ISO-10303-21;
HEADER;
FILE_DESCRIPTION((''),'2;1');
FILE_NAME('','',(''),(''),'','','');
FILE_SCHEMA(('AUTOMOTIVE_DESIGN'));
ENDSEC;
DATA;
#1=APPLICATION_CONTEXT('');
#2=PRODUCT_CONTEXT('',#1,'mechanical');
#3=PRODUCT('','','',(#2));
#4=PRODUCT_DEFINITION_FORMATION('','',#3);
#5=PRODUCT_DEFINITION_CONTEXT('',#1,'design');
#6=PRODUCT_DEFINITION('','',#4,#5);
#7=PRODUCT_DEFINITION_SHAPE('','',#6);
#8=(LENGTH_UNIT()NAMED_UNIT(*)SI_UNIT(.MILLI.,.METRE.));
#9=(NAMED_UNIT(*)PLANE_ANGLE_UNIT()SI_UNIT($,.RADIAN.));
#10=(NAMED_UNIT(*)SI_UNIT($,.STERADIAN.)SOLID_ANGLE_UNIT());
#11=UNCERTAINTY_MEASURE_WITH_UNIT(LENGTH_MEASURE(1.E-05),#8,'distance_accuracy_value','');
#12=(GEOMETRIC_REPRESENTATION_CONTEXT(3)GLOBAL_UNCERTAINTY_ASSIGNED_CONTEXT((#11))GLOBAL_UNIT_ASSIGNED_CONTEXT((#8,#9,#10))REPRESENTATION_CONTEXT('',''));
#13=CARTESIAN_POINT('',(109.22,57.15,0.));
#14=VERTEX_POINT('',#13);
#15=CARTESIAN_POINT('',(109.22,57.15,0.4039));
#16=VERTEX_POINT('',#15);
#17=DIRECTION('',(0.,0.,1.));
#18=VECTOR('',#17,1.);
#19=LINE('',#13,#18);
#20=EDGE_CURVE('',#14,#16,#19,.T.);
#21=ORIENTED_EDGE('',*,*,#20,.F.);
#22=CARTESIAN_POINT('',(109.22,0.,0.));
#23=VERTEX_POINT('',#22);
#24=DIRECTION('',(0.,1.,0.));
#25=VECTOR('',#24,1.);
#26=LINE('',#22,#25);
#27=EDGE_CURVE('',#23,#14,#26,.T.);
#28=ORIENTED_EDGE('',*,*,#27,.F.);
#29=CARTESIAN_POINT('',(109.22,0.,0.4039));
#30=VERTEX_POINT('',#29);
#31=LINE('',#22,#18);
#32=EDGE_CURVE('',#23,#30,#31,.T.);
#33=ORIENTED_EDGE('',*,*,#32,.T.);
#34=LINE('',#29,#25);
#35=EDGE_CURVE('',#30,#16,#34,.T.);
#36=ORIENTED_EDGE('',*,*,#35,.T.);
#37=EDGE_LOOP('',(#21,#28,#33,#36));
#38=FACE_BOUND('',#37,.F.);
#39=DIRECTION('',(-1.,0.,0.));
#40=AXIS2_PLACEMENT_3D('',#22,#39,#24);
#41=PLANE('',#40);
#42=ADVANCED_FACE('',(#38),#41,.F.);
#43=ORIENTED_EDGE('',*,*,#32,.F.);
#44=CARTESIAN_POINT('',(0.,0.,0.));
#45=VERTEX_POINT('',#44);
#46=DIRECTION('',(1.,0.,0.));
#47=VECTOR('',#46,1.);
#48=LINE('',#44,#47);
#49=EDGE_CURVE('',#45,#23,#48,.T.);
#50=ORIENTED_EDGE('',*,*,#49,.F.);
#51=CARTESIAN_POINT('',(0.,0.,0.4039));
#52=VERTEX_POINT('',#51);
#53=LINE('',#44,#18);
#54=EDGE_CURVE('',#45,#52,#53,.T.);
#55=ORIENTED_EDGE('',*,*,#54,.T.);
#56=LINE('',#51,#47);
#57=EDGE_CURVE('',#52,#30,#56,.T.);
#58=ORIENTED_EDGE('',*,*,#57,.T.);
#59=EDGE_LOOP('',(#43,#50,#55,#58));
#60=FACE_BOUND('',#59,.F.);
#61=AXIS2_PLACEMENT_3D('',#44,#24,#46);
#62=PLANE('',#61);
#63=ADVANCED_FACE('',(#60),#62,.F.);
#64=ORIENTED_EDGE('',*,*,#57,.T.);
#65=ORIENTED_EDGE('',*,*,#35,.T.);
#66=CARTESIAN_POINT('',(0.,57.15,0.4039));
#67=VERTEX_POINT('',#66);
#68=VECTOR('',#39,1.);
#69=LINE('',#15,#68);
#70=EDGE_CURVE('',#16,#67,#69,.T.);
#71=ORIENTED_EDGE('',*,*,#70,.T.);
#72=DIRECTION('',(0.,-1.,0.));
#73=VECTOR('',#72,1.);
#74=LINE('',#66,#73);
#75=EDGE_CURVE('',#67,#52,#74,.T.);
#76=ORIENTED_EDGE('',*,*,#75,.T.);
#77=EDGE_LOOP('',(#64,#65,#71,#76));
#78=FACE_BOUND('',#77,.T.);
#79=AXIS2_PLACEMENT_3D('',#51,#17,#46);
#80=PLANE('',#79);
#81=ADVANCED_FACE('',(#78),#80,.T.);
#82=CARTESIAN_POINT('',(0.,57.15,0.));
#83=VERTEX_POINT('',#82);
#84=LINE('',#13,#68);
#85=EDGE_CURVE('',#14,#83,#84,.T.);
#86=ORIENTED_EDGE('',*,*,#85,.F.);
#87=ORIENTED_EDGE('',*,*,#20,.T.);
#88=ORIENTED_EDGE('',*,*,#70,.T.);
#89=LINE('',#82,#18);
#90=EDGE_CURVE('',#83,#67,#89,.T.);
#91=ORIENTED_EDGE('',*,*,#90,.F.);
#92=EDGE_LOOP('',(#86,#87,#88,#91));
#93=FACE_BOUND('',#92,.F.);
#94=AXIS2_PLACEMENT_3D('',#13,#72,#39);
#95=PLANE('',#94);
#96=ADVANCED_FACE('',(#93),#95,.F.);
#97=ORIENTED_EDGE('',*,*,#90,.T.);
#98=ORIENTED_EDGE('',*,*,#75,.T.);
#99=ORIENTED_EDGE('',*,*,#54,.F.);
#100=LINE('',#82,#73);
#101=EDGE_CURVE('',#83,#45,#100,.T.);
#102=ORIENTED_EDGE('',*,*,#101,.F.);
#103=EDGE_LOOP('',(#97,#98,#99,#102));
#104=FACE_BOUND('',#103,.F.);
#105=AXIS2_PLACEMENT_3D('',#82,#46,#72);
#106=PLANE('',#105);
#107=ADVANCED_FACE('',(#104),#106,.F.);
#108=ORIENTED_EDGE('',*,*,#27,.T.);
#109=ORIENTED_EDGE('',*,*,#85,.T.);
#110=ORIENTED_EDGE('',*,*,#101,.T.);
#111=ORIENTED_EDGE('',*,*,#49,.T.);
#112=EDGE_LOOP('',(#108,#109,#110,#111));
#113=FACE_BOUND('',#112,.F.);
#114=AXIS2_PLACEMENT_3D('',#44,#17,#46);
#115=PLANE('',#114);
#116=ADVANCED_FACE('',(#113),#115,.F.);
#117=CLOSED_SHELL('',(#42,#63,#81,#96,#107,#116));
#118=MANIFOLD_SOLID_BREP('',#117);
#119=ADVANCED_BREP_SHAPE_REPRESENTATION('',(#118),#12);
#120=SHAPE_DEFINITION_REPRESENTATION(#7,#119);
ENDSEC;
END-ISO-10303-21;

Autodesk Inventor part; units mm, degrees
ref_plane "YZ Plane" through (0, 0, 0) normal (1, 0, 0) x (0, 1, 0)
ref_plane "XZ Plane" through (0, 0, 0) normal (0, 1, 0) x (-1, 0, 0)
ref_plane "XY Plane" through (0, 0, 0) normal (0, 0, 1) x (1, 0, 0)
sketch "Sketch1" plane through (0, 0, 0) normal (0, 0, 1) x (1, 0, 0)
  line L0 (0, 0) -> (109.22, 0)
  line L1 (109.22, 0) -> (109.22, 57.15)
  line L2 (109.22, 57.15) -> (0, 57.15)
  line L3 (0, 57.15) -> (0, 0)
  dimension "d0" = 109.22
  dimension "d2" = 57.15
extrude "Extrusion1" add sketch "Sketch1" along normal blind 0.4039
properties part number "Plate_Front_Alu25" material "Aluminum 6061"
